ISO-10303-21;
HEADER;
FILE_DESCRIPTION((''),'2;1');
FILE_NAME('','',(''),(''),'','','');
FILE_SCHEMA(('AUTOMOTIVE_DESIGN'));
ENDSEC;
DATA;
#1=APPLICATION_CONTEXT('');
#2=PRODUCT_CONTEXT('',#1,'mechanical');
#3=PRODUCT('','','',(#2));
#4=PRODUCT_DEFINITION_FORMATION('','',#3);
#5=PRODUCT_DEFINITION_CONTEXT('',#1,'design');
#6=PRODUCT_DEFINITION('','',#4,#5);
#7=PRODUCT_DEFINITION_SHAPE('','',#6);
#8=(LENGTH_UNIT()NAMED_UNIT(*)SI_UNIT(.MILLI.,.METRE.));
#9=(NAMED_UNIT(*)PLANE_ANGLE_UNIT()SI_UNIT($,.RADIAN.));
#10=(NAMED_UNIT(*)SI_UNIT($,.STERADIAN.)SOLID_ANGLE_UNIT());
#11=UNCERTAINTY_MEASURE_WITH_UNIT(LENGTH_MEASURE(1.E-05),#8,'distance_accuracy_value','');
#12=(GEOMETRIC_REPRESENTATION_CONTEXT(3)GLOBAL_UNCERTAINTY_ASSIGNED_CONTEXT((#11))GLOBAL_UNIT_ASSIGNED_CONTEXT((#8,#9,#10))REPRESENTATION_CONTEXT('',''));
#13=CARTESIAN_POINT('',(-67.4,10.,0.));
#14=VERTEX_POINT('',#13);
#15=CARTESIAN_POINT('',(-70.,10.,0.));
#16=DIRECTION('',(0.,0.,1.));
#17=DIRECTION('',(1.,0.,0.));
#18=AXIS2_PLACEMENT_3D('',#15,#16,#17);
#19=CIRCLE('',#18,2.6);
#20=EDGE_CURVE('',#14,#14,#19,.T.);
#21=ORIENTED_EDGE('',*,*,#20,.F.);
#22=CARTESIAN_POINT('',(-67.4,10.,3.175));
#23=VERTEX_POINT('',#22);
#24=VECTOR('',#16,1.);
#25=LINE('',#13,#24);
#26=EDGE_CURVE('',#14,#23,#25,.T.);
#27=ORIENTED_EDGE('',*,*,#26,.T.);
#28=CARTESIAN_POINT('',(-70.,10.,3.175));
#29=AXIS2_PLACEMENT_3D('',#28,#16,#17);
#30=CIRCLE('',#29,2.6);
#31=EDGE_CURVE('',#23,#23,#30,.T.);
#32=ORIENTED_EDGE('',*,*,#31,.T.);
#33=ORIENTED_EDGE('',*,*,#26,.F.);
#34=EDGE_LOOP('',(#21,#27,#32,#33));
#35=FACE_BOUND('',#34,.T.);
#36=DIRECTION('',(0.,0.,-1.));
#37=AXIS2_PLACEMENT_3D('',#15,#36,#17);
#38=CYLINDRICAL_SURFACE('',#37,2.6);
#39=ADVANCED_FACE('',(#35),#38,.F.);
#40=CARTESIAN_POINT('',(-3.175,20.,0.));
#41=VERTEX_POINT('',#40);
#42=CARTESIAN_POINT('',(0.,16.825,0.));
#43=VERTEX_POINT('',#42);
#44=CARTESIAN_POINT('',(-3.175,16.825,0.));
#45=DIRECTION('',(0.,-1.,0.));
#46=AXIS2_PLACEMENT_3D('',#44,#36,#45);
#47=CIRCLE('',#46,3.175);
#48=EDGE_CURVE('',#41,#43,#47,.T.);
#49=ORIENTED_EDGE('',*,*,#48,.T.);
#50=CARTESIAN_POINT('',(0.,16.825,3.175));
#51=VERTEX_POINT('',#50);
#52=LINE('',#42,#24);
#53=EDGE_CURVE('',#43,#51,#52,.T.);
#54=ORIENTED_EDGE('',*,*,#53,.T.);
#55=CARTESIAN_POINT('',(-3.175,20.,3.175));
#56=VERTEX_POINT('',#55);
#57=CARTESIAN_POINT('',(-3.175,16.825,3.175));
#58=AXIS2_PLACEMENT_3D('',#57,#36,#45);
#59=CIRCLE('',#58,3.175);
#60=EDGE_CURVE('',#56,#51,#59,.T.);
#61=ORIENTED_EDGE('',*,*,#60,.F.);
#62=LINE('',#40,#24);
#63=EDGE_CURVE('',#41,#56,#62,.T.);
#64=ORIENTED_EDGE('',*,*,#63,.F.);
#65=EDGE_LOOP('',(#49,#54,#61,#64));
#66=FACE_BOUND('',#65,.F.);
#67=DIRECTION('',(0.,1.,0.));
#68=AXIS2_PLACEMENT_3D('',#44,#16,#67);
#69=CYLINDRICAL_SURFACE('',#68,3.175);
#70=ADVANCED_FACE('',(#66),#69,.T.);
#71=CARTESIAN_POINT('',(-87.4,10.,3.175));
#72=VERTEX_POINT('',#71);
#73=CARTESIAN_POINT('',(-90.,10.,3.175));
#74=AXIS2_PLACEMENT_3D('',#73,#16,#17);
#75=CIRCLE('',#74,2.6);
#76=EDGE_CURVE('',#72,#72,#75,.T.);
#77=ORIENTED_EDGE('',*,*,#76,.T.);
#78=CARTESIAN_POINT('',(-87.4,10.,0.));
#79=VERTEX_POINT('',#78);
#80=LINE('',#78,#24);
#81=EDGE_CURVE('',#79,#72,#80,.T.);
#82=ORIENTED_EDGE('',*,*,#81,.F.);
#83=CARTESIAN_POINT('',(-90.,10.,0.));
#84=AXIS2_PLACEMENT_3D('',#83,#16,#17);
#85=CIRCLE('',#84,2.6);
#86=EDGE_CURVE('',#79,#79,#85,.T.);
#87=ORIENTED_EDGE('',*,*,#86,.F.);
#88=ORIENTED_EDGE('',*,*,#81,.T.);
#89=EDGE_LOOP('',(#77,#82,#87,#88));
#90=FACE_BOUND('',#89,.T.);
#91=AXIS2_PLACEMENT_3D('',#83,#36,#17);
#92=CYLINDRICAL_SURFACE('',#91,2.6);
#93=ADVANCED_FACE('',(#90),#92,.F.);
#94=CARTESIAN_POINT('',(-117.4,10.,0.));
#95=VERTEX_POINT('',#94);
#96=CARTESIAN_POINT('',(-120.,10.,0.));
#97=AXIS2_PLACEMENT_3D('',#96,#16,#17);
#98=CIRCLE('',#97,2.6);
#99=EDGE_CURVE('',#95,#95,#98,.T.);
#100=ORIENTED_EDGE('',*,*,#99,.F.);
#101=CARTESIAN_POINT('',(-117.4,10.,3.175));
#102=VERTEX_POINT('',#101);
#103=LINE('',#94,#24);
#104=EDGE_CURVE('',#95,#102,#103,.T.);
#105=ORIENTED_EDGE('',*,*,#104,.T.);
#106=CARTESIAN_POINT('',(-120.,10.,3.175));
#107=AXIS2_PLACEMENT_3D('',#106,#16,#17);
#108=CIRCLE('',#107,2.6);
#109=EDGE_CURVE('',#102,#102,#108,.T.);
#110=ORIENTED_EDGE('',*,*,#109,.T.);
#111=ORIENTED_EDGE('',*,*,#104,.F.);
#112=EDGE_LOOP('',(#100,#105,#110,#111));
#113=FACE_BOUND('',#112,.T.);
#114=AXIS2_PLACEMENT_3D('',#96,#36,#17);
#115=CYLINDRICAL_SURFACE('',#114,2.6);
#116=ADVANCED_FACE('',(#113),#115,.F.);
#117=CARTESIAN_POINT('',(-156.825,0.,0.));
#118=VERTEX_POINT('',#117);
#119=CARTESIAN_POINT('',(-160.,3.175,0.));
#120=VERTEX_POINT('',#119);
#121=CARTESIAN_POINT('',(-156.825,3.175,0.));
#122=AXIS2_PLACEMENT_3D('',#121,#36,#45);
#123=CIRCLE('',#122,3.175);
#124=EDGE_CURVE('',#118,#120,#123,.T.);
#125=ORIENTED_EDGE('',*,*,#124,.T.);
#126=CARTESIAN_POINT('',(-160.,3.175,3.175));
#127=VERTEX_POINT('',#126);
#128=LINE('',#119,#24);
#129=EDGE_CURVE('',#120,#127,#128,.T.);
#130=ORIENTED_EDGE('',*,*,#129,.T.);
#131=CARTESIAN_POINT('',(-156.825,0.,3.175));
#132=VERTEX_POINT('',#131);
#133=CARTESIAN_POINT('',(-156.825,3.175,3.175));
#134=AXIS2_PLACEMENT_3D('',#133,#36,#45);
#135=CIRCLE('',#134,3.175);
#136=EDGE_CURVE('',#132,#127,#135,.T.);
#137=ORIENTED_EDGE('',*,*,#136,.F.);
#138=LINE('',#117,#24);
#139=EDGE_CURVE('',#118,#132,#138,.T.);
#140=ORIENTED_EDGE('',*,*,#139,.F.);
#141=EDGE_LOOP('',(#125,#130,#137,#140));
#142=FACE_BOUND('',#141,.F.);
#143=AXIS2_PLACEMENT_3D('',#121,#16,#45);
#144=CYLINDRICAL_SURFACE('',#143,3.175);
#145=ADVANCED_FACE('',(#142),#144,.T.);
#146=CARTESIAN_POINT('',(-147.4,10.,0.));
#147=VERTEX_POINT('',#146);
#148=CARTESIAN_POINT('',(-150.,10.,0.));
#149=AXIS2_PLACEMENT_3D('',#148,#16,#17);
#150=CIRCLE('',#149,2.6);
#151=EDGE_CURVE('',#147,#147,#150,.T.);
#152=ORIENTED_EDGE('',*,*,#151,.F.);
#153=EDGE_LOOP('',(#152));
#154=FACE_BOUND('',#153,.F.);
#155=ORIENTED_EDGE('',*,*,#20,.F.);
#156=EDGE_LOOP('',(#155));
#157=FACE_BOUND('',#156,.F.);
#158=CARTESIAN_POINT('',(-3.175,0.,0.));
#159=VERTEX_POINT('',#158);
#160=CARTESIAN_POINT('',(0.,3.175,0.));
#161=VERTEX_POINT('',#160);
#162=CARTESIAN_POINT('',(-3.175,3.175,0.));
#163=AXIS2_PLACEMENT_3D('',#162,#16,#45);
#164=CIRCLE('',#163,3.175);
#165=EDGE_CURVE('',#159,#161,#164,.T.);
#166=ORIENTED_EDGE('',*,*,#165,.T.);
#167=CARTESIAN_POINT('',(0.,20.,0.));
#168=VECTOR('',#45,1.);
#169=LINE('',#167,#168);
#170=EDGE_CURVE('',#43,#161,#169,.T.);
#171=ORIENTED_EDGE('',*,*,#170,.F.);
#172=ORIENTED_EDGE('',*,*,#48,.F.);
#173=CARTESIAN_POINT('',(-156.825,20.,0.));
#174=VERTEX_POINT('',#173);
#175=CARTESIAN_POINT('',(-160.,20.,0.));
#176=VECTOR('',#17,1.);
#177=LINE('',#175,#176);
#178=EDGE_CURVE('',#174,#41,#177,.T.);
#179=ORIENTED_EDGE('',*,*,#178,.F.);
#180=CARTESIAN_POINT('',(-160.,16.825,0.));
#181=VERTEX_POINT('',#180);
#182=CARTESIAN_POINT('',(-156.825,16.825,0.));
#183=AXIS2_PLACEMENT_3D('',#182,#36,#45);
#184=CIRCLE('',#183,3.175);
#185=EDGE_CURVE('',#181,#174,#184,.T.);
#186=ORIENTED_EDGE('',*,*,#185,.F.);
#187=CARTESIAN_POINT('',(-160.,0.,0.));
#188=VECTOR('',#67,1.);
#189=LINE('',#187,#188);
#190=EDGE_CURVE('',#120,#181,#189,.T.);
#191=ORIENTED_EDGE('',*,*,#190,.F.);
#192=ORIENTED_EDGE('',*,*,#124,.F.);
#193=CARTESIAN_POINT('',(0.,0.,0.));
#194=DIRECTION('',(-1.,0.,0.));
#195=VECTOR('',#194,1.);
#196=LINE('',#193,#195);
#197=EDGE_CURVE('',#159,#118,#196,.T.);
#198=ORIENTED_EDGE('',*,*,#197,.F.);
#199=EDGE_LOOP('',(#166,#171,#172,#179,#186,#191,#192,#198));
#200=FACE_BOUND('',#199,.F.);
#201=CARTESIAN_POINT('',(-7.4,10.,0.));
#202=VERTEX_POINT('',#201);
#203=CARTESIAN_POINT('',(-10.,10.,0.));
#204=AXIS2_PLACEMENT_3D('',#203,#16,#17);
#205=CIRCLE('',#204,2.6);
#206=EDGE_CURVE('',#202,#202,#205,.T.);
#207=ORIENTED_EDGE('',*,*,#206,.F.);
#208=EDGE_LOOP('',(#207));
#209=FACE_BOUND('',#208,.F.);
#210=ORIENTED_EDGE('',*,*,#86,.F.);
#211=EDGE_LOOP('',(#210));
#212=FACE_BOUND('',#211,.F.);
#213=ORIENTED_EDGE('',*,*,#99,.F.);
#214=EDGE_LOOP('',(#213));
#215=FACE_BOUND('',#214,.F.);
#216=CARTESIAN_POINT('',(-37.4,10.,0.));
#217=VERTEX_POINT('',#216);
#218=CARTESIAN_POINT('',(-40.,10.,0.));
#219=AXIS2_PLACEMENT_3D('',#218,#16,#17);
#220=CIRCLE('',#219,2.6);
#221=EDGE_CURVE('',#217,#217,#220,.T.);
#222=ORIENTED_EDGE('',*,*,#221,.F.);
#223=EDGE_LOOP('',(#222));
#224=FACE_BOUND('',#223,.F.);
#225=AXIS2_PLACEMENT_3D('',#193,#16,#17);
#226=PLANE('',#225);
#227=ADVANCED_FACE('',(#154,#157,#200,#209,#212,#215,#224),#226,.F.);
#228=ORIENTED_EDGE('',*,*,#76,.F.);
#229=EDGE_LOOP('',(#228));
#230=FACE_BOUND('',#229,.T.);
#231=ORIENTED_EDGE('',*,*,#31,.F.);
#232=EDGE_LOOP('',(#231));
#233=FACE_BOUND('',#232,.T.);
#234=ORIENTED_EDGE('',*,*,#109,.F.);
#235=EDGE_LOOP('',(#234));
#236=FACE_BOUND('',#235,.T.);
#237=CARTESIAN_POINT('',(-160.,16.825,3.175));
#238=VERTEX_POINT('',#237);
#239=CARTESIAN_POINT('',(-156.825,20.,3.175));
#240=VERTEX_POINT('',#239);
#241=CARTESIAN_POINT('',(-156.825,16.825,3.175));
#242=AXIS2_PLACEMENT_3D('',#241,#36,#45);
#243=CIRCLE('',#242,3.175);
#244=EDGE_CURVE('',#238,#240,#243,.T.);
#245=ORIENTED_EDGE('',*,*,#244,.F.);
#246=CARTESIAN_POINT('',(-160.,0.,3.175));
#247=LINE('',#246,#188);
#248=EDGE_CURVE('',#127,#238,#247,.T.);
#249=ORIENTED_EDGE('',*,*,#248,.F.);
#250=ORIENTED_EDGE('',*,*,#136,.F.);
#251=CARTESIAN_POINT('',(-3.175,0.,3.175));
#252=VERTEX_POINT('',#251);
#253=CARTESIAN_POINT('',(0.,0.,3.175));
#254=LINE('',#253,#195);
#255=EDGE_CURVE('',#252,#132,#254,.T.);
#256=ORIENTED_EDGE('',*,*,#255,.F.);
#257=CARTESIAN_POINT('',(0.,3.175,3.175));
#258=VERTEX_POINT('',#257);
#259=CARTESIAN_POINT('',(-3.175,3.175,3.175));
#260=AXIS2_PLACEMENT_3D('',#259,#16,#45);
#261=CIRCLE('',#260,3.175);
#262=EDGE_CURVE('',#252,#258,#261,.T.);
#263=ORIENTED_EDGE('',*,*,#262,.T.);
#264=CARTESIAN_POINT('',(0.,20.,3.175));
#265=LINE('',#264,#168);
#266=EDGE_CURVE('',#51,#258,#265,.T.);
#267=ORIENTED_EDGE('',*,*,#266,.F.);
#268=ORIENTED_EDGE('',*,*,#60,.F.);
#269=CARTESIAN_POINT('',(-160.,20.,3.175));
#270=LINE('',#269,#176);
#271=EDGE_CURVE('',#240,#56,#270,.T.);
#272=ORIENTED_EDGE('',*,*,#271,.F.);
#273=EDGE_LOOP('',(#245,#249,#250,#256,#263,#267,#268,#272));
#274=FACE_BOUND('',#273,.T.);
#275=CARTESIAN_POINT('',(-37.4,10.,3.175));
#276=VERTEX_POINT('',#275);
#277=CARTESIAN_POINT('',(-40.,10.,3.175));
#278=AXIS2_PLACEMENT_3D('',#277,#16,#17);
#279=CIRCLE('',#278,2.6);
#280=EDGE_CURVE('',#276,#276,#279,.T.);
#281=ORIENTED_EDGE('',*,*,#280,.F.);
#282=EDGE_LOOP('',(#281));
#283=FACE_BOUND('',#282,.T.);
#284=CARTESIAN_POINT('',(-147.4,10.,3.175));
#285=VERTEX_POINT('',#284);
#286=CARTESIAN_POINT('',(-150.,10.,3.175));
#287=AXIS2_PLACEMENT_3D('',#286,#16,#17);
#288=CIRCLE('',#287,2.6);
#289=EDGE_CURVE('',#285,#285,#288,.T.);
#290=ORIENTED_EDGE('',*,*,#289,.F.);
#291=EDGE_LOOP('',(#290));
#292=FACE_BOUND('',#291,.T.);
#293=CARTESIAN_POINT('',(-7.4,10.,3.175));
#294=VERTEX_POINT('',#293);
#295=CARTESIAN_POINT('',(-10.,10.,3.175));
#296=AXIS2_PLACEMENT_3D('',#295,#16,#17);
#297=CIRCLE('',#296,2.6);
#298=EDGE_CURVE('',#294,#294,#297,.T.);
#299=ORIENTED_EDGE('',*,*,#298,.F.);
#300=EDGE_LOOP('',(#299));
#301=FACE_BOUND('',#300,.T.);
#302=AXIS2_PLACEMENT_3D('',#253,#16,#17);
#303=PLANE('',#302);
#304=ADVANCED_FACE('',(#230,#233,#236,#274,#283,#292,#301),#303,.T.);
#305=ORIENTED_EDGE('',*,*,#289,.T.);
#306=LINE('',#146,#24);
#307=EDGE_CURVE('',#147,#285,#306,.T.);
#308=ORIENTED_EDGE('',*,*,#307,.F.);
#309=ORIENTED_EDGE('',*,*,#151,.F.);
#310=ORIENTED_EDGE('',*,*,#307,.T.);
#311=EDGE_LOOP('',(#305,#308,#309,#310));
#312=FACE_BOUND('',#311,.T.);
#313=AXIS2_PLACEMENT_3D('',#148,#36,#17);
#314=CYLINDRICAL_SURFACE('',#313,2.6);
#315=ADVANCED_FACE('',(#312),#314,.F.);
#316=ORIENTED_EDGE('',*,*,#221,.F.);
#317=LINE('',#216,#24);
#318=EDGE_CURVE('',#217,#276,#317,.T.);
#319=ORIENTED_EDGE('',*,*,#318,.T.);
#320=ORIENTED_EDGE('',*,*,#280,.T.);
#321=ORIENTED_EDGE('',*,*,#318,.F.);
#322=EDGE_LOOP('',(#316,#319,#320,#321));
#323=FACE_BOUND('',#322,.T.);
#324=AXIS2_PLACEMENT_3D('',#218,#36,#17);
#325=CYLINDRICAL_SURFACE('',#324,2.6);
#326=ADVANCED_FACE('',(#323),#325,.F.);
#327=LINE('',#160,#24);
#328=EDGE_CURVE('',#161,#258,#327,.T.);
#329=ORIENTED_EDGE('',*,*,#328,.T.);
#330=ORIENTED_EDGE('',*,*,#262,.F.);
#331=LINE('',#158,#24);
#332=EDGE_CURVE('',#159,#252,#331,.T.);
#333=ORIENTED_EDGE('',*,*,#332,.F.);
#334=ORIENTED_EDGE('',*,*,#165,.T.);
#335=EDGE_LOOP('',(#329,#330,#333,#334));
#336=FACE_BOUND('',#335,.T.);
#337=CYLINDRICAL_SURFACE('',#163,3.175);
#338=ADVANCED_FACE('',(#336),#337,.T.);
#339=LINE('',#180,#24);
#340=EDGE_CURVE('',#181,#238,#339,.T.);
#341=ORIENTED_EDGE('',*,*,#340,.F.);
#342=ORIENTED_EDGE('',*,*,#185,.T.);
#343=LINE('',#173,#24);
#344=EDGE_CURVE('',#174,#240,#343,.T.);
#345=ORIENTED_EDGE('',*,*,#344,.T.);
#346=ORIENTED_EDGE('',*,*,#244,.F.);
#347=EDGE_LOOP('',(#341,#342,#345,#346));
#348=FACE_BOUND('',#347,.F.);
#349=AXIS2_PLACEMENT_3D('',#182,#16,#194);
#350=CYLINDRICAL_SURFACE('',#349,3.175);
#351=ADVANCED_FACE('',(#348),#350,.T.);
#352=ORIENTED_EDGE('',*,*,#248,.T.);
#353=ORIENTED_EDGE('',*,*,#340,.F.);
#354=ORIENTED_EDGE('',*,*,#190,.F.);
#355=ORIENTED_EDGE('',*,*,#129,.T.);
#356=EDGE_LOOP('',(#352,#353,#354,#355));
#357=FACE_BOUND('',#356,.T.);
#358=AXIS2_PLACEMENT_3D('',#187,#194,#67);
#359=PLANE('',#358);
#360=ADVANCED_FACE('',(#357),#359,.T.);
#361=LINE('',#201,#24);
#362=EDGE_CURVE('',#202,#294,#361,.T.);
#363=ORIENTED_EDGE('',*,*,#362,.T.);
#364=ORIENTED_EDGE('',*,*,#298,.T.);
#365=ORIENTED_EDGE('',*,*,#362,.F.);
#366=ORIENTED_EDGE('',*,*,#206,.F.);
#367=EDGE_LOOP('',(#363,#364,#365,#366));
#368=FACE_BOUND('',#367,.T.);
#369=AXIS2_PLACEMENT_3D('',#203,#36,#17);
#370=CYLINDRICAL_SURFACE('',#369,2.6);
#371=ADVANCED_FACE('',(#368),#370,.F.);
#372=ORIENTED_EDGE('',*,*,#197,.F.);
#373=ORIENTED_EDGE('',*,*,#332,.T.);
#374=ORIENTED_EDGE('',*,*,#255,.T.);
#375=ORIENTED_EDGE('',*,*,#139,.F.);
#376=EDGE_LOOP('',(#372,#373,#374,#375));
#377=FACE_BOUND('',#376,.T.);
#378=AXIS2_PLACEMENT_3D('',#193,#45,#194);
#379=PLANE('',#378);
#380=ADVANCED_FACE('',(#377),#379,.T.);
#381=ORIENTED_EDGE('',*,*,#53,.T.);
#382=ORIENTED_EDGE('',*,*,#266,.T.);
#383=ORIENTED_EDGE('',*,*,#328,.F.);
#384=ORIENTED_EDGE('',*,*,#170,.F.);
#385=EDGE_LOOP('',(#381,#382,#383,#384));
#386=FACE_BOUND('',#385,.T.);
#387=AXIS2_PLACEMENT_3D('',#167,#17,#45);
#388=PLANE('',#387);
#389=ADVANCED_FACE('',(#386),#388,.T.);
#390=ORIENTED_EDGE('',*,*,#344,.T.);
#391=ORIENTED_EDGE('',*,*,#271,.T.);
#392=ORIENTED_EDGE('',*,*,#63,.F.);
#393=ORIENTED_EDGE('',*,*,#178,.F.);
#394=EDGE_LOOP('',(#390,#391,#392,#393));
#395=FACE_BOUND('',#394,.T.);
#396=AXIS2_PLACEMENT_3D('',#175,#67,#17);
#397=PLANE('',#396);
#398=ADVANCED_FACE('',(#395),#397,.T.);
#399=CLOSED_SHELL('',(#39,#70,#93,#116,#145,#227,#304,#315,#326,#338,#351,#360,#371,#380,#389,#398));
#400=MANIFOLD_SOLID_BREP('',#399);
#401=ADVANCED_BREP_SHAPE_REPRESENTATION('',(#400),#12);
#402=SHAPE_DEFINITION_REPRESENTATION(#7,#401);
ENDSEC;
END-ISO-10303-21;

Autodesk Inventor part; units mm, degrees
ref_plane "YZ Plane" through (0, 0, 0) normal (1, 0, 0) x (0, 1, 0)
ref_plane "XZ Plane" through (0, 0, 0) normal (0, 1, 0) x (-1, 0, 0)
ref_plane "XY Plane" through (0, 0, 0) normal (0, 0, 1) x (1, 0, 0)
sketch "Sketch1" plane through (0, 0, 0) normal (0, 0, 1) x (1, 0, 0)
  line L0 (0, 0) -> (-160, 0)
  line L1 (-160, 0) -> (-160, 20)
  line L2 (-160, 20) -> (0, 20)
  line L3 (0, 20) -> (0, 0)
  line L4 (-160, 10) -> (0, 10) construction
  line L5 (-80, 20) -> (-80, 0) construction
  circle A0 centre (-150, 10) radius 2.6
  circle A1 centre (-120, 10) radius 2.6
  circle A2 centre (-90, 10) radius 2.6
  circle A3 centre (-70, 10) radius 2.6
  circle A4 centre (-40, 10) radius 2.6
  circle A5 centre (-10, 10) radius 2.6
  dimension "d0" = 160
  dimension "d1" = 20
  dimension "d2" = 5.2
  dimension "d4" = 5.2
  dimension "d5" = 5.2
  dimension "d6" = 5.2
  dimension "d7" = 5.2
  dimension "d8" = 10
  dimension "d11" = 10
  dimension "d12" = 30
  dimension "d13" = 10
  dimension "d14" = 10
  dimension "d15" = 30
  dimension "d16" = 5.2
extrude "Extrusion1" add sketch "Sketch1" along normal blind 3.175
fillet "Fillet1" radius 3.175 4 edges at (-160, 20, 1.5875) (-160, 0, 1.5875) (0, 20, 1.5875) (0, 0, 1.5875)
equation "\"d4\" = d2"
equation "\"d5\" = d2"
equation "\"d6\" = d2"
equation "\"d7\" = d2"
equation "\"d16\" = d2"
properties part number "X Axis Drag Chain 2020 Connecting Bracket"
